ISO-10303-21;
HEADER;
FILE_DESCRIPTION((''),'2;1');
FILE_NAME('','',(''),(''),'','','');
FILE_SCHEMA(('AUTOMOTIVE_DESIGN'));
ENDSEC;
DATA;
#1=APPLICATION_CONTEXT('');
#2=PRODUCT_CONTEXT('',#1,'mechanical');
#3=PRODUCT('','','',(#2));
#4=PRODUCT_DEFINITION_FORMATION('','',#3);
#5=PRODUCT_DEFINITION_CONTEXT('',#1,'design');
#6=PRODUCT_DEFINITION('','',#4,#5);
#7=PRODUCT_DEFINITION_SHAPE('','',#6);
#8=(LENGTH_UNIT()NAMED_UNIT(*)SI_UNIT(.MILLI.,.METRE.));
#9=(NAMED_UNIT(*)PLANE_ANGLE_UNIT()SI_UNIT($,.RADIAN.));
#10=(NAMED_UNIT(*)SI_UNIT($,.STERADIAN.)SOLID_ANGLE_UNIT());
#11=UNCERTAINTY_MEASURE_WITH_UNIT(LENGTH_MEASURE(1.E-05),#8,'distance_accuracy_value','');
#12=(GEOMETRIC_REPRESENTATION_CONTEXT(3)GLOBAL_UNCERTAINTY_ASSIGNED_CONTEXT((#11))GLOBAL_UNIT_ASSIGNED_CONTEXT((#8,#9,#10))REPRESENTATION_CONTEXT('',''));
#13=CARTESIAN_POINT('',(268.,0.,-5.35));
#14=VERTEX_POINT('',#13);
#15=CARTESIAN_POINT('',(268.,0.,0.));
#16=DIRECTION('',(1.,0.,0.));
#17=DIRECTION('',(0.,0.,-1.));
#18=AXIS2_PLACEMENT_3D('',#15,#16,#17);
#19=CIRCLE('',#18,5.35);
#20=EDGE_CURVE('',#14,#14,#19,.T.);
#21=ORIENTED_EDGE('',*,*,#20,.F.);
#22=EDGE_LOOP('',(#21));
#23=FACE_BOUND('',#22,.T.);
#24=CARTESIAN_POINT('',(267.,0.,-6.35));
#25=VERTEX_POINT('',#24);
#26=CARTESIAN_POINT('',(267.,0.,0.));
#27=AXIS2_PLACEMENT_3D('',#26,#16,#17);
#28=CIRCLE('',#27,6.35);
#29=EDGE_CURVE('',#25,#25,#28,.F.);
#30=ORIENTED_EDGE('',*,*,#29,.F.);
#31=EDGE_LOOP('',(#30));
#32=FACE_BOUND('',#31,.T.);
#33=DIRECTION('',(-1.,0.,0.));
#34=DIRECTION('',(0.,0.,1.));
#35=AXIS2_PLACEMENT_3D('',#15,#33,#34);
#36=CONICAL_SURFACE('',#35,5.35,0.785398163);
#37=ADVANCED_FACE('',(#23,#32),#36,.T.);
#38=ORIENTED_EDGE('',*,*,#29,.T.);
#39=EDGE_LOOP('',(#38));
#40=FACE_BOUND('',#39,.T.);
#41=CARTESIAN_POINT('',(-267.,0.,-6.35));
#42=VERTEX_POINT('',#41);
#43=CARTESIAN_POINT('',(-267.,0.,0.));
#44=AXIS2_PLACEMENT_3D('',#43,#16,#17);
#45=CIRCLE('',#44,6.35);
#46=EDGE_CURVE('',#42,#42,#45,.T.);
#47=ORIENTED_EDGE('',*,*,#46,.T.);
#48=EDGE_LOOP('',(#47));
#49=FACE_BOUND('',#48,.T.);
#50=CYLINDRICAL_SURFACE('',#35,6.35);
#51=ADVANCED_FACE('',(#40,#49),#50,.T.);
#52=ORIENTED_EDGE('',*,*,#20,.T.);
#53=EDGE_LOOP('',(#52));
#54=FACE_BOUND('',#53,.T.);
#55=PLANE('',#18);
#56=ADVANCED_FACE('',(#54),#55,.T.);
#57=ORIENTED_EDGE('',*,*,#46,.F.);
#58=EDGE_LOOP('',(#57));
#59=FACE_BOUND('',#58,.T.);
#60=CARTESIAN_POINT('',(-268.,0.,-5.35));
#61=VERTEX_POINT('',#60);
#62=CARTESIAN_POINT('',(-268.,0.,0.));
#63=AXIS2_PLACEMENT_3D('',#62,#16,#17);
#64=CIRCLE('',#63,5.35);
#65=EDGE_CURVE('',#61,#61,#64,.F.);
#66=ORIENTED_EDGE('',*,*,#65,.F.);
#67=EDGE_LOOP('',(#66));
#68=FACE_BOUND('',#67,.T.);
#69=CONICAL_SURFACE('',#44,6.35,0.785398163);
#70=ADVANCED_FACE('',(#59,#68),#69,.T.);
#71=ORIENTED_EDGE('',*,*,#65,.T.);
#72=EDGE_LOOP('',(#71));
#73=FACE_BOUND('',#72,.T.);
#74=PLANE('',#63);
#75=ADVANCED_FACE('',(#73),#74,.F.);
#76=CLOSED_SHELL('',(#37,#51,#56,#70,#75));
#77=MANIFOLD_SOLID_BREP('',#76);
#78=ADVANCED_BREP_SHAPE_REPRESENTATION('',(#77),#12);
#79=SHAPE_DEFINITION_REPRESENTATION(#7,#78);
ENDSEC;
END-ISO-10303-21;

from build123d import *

# Parameters (mm, degrees)
SKETCH1_R           = 6.35
BOSS_EXTRUDE1_DEPTH = 268
CHAMFER1_SIZE       = 1
CHAMFER2_SIZE       = 1


with BuildPart() as part:
    # Sketch1 → Boss-Extrude1 (new body, symmetric)
    with BuildSketch(Plane(origin=(0, 0, 0), x_dir=(0, 0, -1), z_dir=(1, 0, 0))):
        Circle(SKETCH1_R)
    extrude(amount=BOSS_EXTRUDE1_DEPTH, both=True)

    # Chamfer1
    chamfer1_edges = [part.edges().sort_by_distance(p)[0] for p in [
        (-268, 0, 6.35),
    ]]
    chamfer(chamfer1_edges, length=CHAMFER1_SIZE)

    # Chamfer2
    chamfer2_edges = [part.edges().sort_by_distance(p)[0] for p in [
        (268, 0, 6.35),
    ]]
    chamfer(chamfer2_edges, length=CHAMFER2_SIZE)


solid = part.part
